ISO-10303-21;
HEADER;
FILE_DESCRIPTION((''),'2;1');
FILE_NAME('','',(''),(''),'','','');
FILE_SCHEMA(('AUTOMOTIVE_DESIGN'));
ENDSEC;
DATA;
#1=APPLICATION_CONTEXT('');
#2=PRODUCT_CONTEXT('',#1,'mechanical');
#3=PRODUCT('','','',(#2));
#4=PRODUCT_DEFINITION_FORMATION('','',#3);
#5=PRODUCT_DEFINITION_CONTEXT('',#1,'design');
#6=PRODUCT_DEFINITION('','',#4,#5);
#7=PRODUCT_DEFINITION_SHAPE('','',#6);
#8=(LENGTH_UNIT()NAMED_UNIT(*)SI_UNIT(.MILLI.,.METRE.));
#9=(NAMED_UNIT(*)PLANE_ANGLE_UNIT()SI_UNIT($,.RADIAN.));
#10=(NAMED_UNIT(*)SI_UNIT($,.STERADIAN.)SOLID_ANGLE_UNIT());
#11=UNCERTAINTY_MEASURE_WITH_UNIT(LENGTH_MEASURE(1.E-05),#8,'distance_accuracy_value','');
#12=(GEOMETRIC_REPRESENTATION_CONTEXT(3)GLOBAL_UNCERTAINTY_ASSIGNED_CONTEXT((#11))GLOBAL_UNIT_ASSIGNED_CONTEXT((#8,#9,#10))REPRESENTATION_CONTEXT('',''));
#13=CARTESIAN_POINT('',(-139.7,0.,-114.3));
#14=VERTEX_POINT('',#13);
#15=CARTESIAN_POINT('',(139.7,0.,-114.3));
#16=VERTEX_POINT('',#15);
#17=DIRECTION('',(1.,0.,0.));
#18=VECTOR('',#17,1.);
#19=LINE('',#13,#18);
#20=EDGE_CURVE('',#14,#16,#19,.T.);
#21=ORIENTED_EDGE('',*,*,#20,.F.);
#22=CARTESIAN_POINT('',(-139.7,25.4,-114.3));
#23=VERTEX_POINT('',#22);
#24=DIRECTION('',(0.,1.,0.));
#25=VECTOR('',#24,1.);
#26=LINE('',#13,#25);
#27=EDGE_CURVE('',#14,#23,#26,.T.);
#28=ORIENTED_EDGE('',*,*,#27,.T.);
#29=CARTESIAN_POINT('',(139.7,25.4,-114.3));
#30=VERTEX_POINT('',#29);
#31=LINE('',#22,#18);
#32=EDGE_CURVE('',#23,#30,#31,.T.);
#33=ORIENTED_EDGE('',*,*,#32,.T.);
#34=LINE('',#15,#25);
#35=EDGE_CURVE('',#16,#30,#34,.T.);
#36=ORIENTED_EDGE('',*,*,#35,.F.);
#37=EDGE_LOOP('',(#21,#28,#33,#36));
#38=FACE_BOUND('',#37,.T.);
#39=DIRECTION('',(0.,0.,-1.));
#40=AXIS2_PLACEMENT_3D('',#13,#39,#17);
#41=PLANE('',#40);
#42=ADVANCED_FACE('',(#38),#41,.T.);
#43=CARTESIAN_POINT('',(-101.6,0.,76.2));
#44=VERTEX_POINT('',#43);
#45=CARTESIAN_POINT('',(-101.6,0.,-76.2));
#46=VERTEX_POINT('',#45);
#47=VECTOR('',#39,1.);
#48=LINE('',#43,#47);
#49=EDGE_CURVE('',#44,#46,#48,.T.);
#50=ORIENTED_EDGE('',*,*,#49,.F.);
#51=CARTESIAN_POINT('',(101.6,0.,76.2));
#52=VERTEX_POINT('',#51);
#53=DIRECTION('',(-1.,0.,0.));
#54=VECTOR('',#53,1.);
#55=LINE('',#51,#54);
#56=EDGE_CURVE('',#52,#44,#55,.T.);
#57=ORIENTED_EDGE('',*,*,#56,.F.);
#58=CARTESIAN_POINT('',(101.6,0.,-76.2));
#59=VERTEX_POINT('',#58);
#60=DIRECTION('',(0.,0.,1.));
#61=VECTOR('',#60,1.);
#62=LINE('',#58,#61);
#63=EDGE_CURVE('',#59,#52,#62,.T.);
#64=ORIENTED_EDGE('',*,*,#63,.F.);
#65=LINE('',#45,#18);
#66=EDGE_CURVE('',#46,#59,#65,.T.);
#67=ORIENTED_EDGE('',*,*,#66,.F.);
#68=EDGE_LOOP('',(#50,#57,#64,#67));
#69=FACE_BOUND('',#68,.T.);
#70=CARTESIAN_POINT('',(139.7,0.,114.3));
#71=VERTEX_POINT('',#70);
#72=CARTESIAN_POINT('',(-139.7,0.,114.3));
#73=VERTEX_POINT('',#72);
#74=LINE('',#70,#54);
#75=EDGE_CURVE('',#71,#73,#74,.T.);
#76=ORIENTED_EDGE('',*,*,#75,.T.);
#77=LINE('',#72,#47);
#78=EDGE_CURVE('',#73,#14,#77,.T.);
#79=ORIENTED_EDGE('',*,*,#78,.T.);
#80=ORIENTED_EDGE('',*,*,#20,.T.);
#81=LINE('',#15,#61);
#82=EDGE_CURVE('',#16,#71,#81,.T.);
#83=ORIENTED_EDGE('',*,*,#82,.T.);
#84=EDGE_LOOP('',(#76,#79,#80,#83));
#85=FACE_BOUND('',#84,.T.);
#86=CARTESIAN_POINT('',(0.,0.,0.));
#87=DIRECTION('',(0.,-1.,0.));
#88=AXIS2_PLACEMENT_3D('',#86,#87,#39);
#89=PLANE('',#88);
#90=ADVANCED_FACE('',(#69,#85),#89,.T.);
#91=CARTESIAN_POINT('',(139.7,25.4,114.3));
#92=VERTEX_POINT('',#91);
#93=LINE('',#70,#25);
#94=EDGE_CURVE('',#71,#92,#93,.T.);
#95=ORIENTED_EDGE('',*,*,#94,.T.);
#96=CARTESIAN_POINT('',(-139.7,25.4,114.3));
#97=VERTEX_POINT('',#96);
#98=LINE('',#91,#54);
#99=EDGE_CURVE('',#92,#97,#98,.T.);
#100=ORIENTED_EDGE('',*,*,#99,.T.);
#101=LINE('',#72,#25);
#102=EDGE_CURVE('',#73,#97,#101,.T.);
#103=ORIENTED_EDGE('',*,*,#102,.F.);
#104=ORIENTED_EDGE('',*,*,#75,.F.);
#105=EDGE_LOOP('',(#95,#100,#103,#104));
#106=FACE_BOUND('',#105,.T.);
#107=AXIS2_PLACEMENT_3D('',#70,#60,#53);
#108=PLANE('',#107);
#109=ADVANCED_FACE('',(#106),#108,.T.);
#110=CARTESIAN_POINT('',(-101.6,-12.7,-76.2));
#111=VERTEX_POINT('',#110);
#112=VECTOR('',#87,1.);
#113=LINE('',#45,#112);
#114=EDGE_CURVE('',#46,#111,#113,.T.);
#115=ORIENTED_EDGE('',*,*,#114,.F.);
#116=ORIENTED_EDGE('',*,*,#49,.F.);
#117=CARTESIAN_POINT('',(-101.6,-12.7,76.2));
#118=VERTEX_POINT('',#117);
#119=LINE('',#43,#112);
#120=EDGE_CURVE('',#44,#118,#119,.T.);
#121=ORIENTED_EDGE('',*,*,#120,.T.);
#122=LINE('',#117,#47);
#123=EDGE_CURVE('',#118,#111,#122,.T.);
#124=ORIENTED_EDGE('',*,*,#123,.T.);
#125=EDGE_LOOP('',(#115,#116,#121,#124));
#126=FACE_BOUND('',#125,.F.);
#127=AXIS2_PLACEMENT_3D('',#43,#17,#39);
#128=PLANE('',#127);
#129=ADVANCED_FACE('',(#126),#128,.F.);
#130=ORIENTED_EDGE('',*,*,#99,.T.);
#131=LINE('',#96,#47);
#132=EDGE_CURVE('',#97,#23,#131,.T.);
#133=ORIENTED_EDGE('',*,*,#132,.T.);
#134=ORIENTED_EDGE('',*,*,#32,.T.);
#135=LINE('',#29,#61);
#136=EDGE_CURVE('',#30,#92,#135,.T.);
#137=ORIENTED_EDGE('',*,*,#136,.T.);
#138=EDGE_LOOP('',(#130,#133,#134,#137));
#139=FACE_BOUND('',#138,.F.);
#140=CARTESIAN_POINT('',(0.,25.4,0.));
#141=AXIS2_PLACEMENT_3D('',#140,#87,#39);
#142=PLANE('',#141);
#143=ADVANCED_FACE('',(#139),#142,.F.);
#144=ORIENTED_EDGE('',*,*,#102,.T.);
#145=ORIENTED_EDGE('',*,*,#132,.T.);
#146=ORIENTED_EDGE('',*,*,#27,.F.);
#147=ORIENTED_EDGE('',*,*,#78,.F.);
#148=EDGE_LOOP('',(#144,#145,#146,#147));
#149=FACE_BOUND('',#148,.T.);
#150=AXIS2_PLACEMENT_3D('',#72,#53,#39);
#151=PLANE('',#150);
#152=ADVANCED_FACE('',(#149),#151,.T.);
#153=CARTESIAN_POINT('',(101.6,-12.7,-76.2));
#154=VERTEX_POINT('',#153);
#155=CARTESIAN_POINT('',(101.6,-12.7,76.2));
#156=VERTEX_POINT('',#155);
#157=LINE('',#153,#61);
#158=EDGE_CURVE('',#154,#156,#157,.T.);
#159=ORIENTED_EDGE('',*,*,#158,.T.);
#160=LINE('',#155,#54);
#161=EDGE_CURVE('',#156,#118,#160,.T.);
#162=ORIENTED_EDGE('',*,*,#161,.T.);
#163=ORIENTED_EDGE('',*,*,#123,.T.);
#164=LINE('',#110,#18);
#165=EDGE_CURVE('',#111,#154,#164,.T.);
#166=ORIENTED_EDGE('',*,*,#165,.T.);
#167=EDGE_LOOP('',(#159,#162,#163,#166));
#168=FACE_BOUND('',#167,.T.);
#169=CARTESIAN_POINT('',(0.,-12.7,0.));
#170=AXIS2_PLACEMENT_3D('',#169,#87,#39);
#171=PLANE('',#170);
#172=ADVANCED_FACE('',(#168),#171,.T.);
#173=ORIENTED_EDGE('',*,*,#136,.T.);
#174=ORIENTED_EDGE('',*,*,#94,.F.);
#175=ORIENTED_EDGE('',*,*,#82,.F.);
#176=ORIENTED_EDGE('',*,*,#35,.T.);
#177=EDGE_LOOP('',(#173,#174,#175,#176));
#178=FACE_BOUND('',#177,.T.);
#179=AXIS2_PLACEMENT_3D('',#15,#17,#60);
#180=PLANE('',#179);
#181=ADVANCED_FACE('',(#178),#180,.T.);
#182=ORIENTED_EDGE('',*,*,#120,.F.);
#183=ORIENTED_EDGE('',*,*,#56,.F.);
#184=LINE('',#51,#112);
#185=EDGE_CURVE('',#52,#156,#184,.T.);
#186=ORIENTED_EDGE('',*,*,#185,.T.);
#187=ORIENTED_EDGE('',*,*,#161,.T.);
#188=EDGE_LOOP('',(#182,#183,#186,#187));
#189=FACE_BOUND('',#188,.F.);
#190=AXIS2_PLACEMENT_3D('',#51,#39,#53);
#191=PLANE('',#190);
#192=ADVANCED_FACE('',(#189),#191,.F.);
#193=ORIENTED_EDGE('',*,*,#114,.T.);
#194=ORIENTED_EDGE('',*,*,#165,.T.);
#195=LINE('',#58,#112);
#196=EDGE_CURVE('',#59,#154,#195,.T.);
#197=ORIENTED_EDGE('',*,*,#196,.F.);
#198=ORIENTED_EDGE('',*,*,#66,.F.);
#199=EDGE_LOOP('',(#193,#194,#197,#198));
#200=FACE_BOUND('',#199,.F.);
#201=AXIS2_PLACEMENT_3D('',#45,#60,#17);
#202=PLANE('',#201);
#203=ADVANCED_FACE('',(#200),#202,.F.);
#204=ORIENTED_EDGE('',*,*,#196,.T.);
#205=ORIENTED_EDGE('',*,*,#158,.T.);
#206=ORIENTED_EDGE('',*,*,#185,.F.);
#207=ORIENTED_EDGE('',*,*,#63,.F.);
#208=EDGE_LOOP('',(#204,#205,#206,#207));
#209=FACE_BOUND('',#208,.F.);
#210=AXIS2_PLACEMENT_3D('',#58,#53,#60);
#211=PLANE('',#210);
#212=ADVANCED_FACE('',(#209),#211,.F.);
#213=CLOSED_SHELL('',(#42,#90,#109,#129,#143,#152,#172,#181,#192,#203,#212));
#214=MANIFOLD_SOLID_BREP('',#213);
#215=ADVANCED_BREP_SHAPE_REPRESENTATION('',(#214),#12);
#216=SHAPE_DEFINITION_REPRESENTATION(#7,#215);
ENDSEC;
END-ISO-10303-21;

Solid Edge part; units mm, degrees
sketch "Sketch1" plane through (0, 0, 0) normal (0, -1, 0) x (1, 0, 0)
  line L0 (139.7, 114.3) -> (-139.7, 114.3)
  line L1 (-139.7, 114.3) -> (-139.7, -114.3)
  line L2 (-139.7, -114.3) -> (139.7, -114.3)
  line L3 (139.7, -114.3) -> (139.7, 114.3)
extrude "Protrusion1" add sketch "Sketch1" against normal blind 25.4
sketch "Sketch2" plane through (0, 0, 0) normal (0, -1, 0) x (1, 0, 0)
  line L0 (101.6, 76.2) -> (-101.6, 76.2)
  line L1 (-101.6, 76.2) -> (-101.6, -76.2)
  line L2 (-101.6, -76.2) -> (101.6, -76.2)
  line L3 (101.6, -76.2) -> (101.6, 76.2)
extrude "ExtrudedProtrusion_2" add sketch "Sketch2" along normal blind 12.7
